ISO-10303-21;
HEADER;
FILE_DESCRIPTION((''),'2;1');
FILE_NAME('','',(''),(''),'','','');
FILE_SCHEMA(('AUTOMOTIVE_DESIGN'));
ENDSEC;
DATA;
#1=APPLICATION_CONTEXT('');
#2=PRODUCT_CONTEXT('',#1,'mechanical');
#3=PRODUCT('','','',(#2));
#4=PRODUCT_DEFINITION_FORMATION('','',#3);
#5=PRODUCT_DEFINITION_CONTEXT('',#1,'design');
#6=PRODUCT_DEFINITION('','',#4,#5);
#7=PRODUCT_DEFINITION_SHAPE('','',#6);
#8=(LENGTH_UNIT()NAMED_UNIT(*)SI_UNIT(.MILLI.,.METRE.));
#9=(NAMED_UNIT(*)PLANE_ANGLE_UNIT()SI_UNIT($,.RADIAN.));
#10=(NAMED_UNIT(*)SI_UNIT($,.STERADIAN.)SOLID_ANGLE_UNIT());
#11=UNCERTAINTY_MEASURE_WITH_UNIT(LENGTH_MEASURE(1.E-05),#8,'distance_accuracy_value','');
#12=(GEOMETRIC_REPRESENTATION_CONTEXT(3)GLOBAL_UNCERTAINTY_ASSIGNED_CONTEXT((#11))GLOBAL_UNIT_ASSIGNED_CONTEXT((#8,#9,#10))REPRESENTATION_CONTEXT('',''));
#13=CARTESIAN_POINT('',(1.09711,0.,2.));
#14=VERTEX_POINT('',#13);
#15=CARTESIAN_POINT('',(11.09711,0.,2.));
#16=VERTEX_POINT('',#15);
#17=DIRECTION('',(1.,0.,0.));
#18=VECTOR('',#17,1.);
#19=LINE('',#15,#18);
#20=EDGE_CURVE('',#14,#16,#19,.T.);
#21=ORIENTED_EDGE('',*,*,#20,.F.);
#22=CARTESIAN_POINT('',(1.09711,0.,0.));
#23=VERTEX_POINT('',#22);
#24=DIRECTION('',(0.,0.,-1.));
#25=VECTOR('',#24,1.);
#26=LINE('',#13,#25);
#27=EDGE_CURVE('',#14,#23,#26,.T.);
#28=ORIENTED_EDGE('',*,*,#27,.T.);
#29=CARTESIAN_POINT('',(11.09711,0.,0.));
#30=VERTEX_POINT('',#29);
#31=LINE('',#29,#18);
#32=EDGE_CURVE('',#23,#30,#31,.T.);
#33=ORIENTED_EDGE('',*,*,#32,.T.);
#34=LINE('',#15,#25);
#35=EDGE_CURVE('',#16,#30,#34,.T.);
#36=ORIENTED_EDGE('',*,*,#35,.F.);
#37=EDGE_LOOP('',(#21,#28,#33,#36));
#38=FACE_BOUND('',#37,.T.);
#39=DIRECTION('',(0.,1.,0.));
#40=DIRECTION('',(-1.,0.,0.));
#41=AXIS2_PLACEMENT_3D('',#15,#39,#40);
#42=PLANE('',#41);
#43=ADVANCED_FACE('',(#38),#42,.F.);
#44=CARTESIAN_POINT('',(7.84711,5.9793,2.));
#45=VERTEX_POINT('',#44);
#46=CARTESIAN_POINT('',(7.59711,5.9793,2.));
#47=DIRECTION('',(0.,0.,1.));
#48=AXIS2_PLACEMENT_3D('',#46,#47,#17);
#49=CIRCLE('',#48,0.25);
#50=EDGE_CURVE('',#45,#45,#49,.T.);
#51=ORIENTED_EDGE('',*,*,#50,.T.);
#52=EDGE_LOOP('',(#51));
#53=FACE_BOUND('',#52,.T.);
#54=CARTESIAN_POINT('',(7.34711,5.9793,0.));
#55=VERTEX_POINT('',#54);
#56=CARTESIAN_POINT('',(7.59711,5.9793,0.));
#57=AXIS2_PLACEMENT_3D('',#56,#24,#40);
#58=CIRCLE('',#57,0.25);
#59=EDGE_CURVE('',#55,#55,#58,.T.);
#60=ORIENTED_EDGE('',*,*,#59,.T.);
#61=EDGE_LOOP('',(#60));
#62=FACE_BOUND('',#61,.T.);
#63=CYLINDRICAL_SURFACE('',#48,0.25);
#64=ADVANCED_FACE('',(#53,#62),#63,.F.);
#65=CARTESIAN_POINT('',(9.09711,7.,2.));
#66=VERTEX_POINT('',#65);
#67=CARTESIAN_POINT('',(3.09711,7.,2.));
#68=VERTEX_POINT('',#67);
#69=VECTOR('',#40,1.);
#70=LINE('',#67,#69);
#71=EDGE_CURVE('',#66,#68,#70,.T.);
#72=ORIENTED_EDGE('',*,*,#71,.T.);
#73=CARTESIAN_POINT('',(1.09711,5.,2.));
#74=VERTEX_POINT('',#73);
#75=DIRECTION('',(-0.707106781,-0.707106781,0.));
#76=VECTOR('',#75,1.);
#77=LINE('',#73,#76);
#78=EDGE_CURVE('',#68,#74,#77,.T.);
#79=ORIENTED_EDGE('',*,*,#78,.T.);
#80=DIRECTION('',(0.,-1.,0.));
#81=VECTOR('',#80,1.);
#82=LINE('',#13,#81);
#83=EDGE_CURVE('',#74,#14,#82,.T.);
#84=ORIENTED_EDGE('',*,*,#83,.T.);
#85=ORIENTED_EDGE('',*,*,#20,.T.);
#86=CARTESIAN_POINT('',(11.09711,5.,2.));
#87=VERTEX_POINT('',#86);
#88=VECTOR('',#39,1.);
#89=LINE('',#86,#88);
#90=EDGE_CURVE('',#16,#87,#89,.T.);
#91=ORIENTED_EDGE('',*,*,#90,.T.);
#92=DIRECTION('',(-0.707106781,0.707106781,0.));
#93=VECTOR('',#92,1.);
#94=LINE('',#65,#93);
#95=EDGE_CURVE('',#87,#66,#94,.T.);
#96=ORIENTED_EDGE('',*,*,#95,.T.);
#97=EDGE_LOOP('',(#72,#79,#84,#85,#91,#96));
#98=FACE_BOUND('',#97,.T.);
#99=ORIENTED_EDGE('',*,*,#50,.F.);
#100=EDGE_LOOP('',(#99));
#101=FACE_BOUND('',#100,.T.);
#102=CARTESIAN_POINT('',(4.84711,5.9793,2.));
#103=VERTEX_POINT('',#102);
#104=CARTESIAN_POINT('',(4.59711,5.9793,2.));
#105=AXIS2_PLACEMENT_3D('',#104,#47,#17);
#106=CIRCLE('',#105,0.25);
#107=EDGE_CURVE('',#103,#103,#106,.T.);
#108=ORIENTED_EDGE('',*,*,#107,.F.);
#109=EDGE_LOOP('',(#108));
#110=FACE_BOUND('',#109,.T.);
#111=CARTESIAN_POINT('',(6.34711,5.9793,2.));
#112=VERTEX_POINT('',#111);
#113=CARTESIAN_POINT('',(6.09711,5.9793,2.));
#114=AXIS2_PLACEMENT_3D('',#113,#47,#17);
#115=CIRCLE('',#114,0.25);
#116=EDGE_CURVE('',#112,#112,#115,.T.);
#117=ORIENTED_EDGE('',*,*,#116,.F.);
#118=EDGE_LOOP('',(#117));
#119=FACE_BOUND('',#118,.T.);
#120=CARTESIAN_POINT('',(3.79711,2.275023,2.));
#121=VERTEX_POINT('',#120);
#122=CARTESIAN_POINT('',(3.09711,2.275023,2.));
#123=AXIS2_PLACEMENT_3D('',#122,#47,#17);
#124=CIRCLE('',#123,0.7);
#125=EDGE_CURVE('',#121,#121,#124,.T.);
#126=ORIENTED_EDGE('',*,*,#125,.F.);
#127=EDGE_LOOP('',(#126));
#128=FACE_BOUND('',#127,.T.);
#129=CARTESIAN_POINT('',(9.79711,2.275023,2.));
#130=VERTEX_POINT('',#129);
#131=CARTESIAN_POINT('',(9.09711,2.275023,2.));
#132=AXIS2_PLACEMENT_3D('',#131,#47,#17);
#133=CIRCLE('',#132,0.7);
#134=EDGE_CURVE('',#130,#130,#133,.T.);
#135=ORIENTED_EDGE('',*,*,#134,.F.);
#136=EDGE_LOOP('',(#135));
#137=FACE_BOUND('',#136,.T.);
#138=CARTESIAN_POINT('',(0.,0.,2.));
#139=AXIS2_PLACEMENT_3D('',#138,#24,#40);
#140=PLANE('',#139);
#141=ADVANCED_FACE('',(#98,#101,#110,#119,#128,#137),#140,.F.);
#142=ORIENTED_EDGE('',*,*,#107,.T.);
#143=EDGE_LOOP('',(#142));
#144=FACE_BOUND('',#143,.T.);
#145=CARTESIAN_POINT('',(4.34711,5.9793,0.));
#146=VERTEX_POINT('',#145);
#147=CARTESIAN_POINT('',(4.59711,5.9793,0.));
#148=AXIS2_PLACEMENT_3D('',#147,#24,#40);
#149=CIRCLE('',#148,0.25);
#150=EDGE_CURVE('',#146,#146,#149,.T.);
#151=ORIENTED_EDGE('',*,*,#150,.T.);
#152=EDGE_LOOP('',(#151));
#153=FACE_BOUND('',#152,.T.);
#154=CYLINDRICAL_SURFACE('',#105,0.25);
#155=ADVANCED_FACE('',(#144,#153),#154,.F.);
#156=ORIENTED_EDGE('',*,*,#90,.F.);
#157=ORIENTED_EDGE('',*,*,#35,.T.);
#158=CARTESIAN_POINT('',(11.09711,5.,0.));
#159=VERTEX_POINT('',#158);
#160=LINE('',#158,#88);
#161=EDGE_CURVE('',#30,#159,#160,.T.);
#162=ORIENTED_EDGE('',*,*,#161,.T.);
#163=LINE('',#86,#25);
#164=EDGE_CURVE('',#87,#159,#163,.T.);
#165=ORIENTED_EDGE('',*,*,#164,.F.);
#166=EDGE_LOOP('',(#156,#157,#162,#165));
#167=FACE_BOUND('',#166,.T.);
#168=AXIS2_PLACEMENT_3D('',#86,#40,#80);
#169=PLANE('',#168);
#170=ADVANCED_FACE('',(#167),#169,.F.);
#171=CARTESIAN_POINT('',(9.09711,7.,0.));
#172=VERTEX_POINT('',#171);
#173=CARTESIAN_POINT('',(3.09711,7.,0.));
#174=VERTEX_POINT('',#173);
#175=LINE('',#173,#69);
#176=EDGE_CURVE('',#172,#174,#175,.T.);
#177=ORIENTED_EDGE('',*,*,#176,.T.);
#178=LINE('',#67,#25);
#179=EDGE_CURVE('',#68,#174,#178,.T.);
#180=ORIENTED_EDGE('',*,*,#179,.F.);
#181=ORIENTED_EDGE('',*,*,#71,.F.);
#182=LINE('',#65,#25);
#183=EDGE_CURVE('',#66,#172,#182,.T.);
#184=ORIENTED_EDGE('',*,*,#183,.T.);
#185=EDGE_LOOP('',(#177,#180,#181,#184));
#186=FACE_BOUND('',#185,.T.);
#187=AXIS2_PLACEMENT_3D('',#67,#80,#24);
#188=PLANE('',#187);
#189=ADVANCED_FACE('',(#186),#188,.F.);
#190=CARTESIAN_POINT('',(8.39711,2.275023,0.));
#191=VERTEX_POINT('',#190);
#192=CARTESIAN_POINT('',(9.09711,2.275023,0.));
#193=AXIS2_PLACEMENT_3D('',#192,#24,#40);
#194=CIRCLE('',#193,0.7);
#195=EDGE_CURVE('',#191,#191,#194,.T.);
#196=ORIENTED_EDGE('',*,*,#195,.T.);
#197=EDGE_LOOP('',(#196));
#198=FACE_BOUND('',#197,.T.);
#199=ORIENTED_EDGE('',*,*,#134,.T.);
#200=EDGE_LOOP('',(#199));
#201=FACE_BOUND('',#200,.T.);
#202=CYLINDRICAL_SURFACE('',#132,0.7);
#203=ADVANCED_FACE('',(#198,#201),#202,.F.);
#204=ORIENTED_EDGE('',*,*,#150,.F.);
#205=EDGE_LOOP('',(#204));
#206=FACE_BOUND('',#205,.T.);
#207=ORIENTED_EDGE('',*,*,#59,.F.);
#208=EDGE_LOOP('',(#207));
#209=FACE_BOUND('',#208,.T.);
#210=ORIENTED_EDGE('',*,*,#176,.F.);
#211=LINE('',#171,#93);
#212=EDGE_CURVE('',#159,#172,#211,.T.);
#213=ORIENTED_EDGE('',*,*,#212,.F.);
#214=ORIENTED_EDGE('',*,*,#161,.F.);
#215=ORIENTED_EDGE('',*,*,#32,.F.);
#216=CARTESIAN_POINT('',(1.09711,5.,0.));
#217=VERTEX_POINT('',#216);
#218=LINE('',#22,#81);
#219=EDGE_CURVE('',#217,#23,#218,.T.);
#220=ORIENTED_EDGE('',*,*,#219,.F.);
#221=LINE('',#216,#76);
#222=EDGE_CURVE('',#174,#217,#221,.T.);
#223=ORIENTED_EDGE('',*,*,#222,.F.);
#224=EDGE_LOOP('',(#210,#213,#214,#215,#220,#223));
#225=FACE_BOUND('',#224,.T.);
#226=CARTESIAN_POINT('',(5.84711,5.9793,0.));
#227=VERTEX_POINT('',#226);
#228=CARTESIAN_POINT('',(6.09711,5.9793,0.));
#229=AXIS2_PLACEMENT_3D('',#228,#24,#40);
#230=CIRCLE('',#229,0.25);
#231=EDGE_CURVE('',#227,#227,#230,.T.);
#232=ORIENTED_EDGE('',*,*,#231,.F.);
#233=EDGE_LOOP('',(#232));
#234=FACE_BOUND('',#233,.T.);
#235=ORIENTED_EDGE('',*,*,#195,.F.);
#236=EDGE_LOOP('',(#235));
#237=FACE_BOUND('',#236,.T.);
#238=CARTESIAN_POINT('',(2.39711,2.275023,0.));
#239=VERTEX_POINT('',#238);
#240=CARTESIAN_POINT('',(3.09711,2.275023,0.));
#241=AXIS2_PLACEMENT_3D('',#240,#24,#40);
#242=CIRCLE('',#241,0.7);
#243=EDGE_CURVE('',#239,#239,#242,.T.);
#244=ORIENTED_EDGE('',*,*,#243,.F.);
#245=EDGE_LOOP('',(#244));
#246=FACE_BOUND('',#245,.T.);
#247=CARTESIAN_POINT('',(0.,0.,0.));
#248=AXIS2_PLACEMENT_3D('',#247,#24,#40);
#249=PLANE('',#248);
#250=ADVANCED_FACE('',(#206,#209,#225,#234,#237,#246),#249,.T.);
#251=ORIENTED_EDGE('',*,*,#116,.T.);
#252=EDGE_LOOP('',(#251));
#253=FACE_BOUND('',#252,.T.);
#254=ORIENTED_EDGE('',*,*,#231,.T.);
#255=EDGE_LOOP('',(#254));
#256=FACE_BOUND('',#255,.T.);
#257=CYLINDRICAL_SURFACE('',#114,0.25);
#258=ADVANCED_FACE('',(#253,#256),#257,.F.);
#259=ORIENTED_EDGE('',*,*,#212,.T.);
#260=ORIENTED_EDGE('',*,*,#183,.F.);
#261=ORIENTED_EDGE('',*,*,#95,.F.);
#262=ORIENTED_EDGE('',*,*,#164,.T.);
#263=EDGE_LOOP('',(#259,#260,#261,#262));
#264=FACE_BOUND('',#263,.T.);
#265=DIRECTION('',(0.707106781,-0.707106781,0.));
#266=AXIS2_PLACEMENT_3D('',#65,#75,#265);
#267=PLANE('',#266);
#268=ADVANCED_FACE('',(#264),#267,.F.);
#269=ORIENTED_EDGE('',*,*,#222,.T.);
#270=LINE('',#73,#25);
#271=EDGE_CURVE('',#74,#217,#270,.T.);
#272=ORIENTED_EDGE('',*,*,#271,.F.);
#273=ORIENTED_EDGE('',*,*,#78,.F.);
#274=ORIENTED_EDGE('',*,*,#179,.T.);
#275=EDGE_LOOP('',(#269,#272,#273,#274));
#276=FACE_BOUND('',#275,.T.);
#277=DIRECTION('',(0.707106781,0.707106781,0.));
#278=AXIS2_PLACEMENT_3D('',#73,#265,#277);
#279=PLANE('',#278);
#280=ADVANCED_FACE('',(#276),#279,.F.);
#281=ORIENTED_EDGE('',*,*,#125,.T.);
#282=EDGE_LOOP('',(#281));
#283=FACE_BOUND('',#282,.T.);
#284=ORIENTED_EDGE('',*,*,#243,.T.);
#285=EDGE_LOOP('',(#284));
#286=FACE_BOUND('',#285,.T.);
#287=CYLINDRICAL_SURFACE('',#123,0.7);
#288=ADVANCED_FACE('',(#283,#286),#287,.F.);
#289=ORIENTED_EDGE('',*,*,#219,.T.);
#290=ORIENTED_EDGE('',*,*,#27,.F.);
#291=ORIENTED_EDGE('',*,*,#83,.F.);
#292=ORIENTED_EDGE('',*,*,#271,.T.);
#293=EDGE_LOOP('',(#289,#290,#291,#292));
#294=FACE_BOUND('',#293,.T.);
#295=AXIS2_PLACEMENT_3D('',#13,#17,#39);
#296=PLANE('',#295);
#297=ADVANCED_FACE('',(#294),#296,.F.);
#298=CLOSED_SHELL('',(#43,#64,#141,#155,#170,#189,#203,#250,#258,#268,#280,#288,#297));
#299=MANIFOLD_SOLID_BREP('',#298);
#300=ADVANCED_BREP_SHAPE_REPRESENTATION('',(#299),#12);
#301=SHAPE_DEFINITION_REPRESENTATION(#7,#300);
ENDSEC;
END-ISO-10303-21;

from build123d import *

# Parameters (mm, degrees)
BOSS_EXTRUDE1_DEPTH            = 2
F_1_4_1_4_DIAMETER_HOLE1_D     = 1.4
F_1_4_1_4_DIAMETER_HOLE1_DEPTH = 10
F_1_4_1_4_DIAMETER_HOLE1_TIP   = 0.420602433
F_0_5_0_5_DIAMETER_HOLE1_D     = 0.5
F_0_5_0_5_DIAMETER_HOLE1_DEPTH = 10
F_0_5_0_5_DIAMETER_HOLE1_TIP   = 0.150215155


with BuildPart() as part:
    # Sketch1 → Boss-Extrude1 (new body)
    with BuildSketch(Plane.XY):
        Polygon((1.097109919, 0), (1.097109919, 5), (3.097109919, 7), (9.097109919, 7), (11.097109919, 5), (11.097109919, 0), align=None)
    extrude(amount=BOSS_EXTRUDE1_DEPTH)

    # Ø1.4 (1.4) Diameter Hole1
    with Locations(Plane.XY.offset(2)):
        with Locations((3.097109919, 2.27502281), (9.097109919, 2.27502281)):
            Hole(F_1_4_1_4_DIAMETER_HOLE1_D / 2, depth=F_1_4_1_4_DIAMETER_HOLE1_DEPTH)
            with Locations((0, 0, -(F_1_4_1_4_DIAMETER_HOLE1_DEPTH + F_1_4_1_4_DIAMETER_HOLE1_TIP / 2))):  # 118° drill point
                Cone(0, F_1_4_1_4_DIAMETER_HOLE1_D / 2, F_1_4_1_4_DIAMETER_HOLE1_TIP, mode=Mode.SUBTRACT)

    # Ø0.5 (0.5) Diameter Hole1
    with Locations(Plane.XY.offset(2)):
        with Locations((6.097109919, 5.979300112), (4.597109919, 5.979300112), (7.597109919, 5.979300112)):
            Hole(F_0_5_0_5_DIAMETER_HOLE1_D / 2, depth=F_0_5_0_5_DIAMETER_HOLE1_DEPTH)
            with Locations((0, 0, -(F_0_5_0_5_DIAMETER_HOLE1_DEPTH + F_0_5_0_5_DIAMETER_HOLE1_TIP / 2))):  # 118° drill point
                Cone(0, F_0_5_0_5_DIAMETER_HOLE1_D / 2, F_0_5_0_5_DIAMETER_HOLE1_TIP, mode=Mode.SUBTRACT)


solid = part.part
